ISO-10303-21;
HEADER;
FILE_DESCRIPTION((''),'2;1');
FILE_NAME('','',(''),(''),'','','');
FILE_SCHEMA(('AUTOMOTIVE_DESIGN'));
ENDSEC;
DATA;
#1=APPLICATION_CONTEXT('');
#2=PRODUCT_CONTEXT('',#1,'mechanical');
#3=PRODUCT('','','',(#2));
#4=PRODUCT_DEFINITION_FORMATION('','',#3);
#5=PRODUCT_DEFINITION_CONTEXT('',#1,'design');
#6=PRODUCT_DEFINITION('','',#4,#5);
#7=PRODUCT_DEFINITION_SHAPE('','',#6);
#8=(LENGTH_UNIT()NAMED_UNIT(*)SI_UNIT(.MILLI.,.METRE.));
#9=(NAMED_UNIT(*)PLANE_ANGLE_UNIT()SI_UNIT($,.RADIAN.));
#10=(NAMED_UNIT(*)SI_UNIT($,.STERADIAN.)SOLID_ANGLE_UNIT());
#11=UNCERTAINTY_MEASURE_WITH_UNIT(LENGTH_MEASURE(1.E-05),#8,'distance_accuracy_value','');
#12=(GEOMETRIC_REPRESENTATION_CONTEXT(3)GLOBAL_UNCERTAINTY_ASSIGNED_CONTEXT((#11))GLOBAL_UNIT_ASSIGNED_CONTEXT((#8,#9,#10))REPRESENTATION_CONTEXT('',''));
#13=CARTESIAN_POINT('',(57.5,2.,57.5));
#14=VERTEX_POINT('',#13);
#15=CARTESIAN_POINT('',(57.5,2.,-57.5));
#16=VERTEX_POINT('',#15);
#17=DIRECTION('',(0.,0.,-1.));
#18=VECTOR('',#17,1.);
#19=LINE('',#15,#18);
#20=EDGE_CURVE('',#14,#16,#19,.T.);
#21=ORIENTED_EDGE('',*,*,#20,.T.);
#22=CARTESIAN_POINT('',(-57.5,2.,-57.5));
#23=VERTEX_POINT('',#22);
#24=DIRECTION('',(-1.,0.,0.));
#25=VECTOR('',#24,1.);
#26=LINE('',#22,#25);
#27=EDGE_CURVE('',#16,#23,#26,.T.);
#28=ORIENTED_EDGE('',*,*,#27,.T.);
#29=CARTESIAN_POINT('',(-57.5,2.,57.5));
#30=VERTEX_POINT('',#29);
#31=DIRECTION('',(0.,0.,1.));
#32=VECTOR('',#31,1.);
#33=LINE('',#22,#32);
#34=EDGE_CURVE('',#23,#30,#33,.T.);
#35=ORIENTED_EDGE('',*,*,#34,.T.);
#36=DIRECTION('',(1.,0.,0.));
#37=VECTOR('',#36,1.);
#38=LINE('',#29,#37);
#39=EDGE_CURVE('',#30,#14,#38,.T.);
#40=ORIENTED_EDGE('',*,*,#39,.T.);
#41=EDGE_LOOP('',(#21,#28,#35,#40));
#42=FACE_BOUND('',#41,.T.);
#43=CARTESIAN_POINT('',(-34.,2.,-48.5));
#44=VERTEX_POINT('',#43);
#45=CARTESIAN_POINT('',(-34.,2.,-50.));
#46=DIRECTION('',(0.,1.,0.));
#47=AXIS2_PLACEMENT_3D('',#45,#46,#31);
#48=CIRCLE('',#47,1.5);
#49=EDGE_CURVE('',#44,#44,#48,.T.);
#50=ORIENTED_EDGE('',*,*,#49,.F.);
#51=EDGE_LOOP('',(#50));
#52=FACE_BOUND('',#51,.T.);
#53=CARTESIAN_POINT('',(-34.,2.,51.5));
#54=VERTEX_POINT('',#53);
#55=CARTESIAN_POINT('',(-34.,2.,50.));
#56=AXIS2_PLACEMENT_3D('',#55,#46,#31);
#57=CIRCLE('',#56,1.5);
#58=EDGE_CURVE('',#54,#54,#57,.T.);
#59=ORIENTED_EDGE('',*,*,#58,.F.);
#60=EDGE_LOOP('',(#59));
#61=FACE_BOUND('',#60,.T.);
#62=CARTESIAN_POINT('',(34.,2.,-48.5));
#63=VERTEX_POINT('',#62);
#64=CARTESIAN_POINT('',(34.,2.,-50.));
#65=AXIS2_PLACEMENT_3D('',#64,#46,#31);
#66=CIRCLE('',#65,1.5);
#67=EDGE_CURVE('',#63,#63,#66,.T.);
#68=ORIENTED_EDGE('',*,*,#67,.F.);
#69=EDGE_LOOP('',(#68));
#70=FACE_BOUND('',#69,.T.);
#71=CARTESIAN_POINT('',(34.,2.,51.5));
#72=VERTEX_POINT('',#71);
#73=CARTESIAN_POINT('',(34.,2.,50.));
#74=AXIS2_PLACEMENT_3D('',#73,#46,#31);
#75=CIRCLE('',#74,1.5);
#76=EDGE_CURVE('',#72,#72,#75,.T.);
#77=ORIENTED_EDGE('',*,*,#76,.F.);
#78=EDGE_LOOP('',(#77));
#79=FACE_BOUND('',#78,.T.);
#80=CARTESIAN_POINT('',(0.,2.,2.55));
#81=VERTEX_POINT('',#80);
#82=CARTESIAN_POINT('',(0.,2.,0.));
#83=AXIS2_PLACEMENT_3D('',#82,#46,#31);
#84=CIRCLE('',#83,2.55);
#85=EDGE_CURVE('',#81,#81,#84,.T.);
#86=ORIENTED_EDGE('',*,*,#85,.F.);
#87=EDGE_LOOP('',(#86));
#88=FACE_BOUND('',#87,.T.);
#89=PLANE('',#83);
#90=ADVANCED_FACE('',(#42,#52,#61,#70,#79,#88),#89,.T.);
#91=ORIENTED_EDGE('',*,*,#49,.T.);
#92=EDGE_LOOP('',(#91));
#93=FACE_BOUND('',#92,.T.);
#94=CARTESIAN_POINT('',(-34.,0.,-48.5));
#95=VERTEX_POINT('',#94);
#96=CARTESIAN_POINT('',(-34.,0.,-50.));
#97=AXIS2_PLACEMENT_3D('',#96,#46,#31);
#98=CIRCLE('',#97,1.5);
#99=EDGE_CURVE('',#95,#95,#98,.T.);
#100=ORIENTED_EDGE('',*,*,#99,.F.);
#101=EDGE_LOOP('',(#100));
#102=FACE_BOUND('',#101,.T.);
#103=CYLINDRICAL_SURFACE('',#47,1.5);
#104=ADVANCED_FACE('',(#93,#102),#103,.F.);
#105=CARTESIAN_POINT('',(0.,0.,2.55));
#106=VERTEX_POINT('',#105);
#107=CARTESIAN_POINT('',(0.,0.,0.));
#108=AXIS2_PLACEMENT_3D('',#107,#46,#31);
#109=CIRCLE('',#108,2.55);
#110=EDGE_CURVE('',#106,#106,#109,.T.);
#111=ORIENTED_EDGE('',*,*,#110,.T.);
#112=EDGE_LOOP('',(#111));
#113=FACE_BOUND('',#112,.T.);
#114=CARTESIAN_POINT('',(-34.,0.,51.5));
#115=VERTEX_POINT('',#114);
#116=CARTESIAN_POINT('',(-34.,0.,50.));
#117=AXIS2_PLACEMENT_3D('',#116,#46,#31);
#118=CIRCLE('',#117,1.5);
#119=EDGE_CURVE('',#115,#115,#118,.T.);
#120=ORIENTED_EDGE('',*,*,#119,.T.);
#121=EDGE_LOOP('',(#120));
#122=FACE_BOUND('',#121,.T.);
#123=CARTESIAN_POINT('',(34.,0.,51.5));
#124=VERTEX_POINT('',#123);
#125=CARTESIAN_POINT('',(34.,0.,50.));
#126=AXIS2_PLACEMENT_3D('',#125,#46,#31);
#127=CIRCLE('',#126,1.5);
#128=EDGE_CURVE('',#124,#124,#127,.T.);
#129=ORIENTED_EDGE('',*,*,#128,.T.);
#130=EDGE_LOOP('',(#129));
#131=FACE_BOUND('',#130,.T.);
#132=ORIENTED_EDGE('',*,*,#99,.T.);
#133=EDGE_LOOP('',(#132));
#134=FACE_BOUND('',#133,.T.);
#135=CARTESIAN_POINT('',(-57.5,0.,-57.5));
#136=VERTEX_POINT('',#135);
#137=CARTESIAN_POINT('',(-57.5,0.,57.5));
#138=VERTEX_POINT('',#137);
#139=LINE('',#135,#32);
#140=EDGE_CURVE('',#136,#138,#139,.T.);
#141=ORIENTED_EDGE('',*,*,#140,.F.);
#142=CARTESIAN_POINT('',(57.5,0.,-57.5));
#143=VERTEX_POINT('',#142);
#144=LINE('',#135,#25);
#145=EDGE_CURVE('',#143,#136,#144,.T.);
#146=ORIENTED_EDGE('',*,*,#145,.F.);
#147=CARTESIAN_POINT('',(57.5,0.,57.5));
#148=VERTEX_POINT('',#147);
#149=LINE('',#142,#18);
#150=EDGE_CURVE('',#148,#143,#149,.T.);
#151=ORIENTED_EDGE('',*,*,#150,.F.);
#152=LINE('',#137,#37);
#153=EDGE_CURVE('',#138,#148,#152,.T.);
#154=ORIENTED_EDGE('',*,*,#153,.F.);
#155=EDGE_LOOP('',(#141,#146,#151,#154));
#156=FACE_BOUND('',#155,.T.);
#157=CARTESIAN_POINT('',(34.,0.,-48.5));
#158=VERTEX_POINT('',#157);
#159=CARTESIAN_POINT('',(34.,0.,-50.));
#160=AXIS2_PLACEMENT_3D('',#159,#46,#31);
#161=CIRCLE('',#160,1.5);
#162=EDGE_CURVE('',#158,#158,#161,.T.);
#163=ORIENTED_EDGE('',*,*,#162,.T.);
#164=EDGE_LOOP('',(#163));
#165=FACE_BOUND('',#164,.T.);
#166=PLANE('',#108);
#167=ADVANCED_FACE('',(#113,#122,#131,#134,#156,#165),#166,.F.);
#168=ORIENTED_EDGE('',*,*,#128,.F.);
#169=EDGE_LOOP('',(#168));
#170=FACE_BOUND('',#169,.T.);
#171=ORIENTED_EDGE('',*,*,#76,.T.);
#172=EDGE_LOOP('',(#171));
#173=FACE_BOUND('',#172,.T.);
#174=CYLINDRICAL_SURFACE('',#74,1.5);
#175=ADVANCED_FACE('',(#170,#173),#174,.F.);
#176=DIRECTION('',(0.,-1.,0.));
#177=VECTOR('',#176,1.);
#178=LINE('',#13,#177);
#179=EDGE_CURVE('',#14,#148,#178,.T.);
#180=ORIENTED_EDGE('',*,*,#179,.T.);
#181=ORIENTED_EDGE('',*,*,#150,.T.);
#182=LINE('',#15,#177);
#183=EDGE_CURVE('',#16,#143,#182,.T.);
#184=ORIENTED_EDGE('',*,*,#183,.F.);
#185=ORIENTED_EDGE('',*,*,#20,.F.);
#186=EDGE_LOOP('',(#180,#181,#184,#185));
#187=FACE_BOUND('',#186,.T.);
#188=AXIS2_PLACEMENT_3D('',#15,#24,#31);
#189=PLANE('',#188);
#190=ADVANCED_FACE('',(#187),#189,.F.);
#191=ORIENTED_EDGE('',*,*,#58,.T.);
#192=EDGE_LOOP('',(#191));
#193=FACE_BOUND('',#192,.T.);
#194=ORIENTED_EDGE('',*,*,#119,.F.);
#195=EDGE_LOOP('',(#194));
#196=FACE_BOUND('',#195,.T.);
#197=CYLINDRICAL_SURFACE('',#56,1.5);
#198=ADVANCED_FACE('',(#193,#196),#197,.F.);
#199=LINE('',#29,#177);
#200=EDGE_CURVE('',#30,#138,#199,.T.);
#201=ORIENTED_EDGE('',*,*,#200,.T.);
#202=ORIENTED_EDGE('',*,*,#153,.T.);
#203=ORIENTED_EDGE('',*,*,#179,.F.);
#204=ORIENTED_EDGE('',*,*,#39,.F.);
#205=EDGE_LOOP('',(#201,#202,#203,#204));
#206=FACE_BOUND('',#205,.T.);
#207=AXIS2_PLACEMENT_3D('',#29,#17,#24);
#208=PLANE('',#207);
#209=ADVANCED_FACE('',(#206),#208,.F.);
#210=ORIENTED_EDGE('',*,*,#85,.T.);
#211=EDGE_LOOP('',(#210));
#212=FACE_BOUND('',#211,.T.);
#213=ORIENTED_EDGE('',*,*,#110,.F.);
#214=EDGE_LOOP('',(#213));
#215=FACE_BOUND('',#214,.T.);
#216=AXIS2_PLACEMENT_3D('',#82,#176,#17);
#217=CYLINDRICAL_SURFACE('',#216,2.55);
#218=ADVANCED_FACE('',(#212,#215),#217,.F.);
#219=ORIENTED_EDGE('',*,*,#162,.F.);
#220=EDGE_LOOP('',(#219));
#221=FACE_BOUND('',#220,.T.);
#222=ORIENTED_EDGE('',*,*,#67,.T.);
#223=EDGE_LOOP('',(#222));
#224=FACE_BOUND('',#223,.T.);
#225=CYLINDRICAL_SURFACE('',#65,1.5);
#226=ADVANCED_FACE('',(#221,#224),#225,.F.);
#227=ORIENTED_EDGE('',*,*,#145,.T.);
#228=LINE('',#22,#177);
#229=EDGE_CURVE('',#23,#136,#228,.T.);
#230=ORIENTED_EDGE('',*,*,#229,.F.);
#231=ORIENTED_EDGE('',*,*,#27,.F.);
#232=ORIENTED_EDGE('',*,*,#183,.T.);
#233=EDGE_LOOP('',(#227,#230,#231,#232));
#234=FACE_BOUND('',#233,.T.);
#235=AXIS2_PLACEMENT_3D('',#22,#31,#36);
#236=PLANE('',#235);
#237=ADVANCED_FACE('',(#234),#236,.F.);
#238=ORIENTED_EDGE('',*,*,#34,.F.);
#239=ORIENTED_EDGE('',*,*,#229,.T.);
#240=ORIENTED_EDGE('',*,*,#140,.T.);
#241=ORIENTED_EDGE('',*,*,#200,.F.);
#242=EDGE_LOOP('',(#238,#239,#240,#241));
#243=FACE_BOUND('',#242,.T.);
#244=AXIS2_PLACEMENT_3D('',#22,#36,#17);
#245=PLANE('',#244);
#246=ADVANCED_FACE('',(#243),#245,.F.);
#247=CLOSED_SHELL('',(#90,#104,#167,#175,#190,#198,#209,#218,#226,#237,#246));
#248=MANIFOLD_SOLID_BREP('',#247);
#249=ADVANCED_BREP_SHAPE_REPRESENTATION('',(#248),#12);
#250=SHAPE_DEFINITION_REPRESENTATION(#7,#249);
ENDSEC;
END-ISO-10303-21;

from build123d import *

# Parameters (mm, degrees)
SKETCH1_W             = 115
SKETCH1_H             = 115
SKETCH1_R             = 2.55
BOSS_EXTRUDE1_DEPTH   = 2
F_3_0MM_DOWEL_HOLE1_D = 3


with BuildPart() as part:
    # Sketch1 → Boss-Extrude1 (new body)
    with BuildSketch(Plane(origin=(0, 0, 0), x_dir=(1, 0, 0), z_dir=(0, 1, 0))):
        Rectangle(SKETCH1_W, SKETCH1_H)
        with Locations(Location((0, 0, 0), (0, 0, 270))):
            Circle(SKETCH1_R, mode=Mode.SUBTRACT)
    extrude(amount=BOSS_EXTRUDE1_DEPTH)

    # Ø3.0mm Dowel Hole1 (through all)
    with Locations(Plane(origin=(0, 2, 0), x_dir=(1, 0, 0), z_dir=(0, 1, 0))):
        with Locations((-34, 50), (34, 50), (34, -50), (-34, -50)):
            Hole(F_3_0MM_DOWEL_HOLE1_D / 2)


solid = part.part
